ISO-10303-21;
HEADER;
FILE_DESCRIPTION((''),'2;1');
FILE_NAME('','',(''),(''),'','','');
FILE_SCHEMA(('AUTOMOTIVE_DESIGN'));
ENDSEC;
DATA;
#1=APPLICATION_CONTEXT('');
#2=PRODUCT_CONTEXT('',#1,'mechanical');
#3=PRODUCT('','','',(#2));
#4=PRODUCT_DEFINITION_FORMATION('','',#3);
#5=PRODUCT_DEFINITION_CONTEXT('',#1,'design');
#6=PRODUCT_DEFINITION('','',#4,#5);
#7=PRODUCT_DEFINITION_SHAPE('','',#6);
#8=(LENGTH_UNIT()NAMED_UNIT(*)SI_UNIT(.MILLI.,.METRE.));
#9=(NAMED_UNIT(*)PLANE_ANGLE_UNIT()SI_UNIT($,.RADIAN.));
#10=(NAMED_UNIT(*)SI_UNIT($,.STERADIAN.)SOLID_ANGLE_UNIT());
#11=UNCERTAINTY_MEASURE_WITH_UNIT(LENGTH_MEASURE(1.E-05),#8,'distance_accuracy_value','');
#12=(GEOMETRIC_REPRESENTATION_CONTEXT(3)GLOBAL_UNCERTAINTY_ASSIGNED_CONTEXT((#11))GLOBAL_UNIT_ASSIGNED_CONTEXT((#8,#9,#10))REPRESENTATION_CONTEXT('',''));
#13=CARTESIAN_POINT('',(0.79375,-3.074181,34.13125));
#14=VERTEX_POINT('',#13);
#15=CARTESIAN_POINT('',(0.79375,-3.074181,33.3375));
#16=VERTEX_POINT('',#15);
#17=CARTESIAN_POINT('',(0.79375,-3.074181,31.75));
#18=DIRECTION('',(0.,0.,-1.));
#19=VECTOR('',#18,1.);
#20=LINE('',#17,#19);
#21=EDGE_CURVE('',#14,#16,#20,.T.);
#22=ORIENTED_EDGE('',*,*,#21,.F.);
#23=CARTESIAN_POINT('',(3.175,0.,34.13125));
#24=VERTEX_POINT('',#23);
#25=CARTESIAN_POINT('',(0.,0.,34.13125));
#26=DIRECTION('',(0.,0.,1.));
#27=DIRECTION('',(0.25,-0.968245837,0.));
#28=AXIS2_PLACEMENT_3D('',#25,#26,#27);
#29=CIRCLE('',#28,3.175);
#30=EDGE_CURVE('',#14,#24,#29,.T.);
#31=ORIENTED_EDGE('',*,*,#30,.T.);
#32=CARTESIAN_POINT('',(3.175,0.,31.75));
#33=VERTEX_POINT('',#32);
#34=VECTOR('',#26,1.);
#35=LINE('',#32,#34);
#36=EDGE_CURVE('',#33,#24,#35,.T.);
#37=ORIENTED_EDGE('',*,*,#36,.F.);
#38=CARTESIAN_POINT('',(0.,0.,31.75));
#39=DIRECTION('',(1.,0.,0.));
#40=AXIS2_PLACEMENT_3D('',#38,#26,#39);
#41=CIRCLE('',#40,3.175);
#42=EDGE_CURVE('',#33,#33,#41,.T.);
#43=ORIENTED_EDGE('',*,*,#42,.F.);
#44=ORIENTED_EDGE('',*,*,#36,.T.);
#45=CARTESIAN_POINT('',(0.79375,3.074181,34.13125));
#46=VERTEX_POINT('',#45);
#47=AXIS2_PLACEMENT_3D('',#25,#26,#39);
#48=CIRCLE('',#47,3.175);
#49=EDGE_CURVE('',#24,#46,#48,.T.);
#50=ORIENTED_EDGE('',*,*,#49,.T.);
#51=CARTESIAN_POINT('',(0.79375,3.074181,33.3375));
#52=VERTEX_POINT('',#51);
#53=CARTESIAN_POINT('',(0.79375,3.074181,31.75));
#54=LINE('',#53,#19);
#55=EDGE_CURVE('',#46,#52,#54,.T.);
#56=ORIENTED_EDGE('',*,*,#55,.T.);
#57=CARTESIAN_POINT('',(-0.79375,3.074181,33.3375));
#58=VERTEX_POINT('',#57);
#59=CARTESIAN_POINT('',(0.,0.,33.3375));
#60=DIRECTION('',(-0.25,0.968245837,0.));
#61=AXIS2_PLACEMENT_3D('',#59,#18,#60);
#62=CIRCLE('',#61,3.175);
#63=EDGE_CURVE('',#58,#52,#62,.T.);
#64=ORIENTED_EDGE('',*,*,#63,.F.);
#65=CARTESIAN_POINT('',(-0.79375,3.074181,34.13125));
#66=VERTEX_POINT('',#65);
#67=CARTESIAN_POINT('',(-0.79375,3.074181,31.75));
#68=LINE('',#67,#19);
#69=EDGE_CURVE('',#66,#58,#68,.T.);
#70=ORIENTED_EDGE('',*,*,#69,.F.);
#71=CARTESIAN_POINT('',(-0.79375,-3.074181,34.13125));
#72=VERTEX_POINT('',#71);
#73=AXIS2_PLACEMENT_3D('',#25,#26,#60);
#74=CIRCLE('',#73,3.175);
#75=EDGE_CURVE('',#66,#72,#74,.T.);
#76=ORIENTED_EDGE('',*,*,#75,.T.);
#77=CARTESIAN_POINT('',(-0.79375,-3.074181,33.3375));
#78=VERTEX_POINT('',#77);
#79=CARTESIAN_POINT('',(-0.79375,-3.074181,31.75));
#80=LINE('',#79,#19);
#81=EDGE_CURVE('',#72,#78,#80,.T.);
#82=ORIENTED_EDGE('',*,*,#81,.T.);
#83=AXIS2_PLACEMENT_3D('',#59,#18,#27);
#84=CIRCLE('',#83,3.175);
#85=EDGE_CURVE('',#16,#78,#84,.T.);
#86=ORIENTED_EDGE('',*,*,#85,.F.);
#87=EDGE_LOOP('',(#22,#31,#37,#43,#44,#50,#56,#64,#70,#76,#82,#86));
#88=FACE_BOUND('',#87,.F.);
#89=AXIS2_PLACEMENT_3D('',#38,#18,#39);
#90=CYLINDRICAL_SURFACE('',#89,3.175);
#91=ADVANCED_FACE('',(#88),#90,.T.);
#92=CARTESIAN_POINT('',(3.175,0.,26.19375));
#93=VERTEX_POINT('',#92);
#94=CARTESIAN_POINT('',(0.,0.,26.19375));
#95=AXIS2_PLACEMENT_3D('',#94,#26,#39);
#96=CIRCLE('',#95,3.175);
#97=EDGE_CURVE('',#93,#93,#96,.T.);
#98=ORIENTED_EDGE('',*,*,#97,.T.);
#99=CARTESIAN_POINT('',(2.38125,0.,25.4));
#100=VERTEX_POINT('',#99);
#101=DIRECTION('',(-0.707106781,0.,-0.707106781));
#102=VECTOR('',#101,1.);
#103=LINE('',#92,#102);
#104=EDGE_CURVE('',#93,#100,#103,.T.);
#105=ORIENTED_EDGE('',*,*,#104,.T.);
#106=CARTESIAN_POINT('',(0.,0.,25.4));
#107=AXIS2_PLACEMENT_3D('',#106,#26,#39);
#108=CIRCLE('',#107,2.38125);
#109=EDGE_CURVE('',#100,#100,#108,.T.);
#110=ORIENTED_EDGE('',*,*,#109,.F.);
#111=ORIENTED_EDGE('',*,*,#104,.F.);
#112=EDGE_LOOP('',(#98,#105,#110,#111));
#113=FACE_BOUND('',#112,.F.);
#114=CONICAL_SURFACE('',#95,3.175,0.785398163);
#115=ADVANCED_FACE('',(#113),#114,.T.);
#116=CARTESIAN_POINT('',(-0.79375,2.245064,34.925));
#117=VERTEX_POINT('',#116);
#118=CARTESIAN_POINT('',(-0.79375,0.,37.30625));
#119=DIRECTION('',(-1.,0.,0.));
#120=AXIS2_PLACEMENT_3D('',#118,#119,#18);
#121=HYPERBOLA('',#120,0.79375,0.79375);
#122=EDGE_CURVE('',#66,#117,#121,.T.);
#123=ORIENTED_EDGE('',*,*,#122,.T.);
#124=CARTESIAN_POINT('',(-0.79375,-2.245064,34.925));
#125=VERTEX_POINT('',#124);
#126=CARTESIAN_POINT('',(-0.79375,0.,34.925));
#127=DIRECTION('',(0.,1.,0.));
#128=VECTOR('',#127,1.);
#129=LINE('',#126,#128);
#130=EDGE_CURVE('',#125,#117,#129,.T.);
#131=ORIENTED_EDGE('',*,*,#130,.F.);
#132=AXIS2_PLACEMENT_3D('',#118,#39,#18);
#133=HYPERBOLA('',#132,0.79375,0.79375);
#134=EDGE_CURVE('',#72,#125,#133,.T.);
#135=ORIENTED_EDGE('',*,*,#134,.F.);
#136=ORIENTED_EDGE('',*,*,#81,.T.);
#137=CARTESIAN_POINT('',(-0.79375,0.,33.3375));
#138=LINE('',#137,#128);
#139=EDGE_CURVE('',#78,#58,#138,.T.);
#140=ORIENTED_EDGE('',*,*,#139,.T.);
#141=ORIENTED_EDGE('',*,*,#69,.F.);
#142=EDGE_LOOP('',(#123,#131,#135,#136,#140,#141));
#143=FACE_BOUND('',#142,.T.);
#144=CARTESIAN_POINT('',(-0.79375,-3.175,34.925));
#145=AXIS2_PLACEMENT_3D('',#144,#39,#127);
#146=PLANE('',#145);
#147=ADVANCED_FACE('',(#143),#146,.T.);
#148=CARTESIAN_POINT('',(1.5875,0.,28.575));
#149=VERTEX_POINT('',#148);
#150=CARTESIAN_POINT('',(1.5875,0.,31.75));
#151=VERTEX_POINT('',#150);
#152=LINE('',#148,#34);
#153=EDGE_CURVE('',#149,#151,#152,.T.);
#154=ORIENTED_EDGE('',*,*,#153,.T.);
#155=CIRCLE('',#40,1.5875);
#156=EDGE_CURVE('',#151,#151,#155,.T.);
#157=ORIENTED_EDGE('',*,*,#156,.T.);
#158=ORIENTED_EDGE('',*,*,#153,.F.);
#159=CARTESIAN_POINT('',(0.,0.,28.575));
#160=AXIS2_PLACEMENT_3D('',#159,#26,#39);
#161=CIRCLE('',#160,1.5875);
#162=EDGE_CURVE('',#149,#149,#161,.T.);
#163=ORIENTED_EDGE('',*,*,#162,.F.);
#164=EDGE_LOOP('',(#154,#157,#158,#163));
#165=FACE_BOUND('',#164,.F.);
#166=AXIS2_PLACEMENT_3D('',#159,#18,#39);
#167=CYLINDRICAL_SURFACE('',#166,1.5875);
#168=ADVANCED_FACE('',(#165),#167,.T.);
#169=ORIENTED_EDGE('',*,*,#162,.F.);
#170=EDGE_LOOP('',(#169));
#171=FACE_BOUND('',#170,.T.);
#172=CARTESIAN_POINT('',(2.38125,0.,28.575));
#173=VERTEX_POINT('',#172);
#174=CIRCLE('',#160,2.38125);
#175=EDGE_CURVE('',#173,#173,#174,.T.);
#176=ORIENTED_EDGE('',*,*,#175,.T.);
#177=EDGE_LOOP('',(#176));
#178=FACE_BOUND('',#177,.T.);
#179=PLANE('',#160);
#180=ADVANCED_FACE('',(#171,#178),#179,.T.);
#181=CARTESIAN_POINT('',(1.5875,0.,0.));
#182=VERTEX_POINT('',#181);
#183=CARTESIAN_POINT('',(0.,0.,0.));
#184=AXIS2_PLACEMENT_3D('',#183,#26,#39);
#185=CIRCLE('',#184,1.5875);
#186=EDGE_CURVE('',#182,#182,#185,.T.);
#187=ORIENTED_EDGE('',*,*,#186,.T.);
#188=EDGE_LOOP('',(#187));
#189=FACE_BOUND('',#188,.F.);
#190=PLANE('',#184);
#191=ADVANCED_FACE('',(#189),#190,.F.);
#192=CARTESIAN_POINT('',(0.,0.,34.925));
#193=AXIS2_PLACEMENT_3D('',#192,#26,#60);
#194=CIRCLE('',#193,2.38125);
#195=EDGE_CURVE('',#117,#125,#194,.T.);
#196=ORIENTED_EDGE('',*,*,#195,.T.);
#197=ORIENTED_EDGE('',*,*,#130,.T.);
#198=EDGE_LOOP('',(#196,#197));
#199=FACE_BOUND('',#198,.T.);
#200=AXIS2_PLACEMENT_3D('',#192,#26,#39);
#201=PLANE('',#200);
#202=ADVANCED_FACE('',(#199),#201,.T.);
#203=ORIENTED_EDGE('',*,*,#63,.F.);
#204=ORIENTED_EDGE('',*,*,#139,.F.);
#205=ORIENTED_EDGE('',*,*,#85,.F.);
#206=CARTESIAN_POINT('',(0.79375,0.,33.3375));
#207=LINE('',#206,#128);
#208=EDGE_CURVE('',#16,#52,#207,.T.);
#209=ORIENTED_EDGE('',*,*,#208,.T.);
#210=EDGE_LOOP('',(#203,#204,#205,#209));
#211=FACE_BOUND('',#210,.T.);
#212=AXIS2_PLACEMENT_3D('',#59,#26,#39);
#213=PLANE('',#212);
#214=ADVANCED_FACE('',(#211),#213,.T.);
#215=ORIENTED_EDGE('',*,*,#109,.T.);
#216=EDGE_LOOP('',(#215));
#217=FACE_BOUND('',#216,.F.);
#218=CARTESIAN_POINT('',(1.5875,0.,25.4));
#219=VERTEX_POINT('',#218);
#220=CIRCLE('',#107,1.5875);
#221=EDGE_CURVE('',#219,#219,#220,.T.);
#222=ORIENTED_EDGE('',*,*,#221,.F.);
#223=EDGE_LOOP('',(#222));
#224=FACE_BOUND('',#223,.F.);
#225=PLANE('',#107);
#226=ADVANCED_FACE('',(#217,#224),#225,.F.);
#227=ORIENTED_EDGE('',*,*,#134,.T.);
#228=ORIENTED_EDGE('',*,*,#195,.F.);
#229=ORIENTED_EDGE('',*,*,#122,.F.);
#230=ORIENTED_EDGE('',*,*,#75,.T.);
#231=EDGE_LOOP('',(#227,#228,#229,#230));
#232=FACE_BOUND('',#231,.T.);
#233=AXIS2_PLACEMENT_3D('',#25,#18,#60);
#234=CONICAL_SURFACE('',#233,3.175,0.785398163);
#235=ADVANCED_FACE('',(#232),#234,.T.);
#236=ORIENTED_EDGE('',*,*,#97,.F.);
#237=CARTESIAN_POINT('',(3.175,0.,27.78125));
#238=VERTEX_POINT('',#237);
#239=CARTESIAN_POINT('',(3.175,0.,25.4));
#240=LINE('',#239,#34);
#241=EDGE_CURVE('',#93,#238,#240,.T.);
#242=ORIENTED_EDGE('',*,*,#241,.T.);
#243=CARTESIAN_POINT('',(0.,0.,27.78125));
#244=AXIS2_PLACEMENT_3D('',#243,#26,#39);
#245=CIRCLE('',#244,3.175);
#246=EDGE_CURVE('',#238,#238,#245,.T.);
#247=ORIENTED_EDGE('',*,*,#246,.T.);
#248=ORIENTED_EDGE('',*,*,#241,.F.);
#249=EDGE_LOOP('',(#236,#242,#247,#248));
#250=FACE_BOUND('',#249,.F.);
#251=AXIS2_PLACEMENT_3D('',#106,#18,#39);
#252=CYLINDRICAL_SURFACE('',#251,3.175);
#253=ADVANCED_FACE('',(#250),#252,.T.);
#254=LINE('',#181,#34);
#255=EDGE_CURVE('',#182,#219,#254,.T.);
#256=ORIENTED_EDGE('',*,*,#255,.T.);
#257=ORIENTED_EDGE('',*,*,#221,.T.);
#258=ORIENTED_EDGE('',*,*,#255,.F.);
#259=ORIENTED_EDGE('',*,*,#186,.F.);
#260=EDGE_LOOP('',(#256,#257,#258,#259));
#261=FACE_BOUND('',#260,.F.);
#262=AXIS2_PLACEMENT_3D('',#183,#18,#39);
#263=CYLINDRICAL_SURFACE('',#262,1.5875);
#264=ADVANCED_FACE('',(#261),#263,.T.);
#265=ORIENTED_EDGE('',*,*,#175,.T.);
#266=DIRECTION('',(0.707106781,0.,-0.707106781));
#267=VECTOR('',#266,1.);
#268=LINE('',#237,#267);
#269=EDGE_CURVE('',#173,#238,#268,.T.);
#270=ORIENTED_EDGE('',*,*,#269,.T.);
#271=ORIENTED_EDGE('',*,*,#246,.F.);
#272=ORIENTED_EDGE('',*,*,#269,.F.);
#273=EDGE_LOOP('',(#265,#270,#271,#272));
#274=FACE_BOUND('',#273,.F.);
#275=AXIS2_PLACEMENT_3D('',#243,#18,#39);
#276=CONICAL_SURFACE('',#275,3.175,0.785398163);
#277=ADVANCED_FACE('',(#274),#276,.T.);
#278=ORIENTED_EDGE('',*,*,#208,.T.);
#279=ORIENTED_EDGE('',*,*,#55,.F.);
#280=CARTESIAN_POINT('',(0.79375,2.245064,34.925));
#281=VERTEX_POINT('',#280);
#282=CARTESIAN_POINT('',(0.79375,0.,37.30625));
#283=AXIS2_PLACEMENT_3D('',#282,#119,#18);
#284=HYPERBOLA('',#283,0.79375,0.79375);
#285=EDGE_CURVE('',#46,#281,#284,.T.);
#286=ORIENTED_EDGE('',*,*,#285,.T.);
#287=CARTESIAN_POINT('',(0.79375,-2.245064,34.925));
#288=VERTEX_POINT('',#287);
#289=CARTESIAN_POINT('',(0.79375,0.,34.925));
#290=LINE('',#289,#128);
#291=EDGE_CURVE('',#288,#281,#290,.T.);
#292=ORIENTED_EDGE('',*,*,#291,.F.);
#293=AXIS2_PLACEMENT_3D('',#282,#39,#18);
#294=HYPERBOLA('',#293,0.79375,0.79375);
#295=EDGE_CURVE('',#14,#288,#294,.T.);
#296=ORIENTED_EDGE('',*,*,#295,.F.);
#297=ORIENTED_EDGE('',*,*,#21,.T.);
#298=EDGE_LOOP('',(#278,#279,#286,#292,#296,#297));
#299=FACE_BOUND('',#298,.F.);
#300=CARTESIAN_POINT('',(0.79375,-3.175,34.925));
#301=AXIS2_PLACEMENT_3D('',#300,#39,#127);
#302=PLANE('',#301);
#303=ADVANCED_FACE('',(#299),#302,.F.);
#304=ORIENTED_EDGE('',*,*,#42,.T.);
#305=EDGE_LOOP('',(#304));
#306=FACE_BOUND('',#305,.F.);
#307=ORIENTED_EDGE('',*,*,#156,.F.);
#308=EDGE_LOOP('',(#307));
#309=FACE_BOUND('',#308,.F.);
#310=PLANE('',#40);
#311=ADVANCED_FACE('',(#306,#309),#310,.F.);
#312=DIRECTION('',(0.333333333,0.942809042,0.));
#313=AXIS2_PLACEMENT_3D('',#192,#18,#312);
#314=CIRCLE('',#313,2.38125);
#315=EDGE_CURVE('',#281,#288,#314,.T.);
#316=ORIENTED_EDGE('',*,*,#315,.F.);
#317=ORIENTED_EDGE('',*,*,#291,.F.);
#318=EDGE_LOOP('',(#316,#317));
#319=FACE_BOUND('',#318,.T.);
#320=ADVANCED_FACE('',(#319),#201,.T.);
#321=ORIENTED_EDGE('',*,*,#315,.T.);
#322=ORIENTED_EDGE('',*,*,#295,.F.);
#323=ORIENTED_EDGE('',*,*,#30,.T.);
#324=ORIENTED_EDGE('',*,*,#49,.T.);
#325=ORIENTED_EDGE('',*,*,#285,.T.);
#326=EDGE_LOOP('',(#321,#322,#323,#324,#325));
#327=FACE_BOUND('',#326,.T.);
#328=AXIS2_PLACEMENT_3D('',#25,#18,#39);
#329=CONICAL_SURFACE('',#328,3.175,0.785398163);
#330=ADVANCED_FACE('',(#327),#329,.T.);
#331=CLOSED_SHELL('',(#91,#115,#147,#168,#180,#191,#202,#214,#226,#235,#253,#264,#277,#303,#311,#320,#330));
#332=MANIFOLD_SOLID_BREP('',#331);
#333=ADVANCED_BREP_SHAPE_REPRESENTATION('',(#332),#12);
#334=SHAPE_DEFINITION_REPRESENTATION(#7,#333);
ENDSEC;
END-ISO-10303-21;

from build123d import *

# Parameters (mm, degrees)
F0_R     = 1.5875
F1_DEPTH = 25.4
F2_R     = 3.175
F3_DEPTH = 3.175
F4_R     = 1.5875
F5_DEPTH = 3.175
F6_R     = 3.175
F7_DEPTH = 3.175
F8_W     = 1.5875
F8_H     = 6.35
F9_DEPTH = 1.5875
F10_SIZE = 0.79375


with BuildPart() as f1:
    # F0 (on Top) → F1 (new body)
    with BuildSketch(Plane.XY):
        Circle(F0_R)
    extrude(amount=F1_DEPTH)

    # F2 (on face) → F3 (join)
    with BuildSketch(Plane.XY.offset(25.4)):
        Circle(F2_R)
    extrude(amount=F3_DEPTH)

    # F4 (on face) → F5 (join)
    with BuildSketch(Plane.XY.offset(28.575)):
        Circle(F4_R)
    extrude(amount=F5_DEPTH)

    # F6 (on face) → F7 (join)
    with BuildSketch(Plane.XY.offset(31.75)):
        Circle(F6_R)
    extrude(amount=F7_DEPTH)

    # F8 (on face) → F9 (cut)
    with BuildSketch(Plane.XY.offset(34.925)):
        Rectangle(F8_W, F8_H)
    extrude(amount=-F9_DEPTH, mode=Mode.SUBTRACT)

    # F10
    f10_edges = [f1.edges().sort_by_distance(p)[0] for p in [
        (-3.175, 0, 34.925),
        (2.510058, 1.944282, 34.925),
        (2.510058, -1.944282, 34.925),
        (-3.175, 0, 28.575),
        (-3.175, 0, 25.4),
    ]]
    chamfer(f10_edges, length=F10_SIZE)


solid = f1.part
